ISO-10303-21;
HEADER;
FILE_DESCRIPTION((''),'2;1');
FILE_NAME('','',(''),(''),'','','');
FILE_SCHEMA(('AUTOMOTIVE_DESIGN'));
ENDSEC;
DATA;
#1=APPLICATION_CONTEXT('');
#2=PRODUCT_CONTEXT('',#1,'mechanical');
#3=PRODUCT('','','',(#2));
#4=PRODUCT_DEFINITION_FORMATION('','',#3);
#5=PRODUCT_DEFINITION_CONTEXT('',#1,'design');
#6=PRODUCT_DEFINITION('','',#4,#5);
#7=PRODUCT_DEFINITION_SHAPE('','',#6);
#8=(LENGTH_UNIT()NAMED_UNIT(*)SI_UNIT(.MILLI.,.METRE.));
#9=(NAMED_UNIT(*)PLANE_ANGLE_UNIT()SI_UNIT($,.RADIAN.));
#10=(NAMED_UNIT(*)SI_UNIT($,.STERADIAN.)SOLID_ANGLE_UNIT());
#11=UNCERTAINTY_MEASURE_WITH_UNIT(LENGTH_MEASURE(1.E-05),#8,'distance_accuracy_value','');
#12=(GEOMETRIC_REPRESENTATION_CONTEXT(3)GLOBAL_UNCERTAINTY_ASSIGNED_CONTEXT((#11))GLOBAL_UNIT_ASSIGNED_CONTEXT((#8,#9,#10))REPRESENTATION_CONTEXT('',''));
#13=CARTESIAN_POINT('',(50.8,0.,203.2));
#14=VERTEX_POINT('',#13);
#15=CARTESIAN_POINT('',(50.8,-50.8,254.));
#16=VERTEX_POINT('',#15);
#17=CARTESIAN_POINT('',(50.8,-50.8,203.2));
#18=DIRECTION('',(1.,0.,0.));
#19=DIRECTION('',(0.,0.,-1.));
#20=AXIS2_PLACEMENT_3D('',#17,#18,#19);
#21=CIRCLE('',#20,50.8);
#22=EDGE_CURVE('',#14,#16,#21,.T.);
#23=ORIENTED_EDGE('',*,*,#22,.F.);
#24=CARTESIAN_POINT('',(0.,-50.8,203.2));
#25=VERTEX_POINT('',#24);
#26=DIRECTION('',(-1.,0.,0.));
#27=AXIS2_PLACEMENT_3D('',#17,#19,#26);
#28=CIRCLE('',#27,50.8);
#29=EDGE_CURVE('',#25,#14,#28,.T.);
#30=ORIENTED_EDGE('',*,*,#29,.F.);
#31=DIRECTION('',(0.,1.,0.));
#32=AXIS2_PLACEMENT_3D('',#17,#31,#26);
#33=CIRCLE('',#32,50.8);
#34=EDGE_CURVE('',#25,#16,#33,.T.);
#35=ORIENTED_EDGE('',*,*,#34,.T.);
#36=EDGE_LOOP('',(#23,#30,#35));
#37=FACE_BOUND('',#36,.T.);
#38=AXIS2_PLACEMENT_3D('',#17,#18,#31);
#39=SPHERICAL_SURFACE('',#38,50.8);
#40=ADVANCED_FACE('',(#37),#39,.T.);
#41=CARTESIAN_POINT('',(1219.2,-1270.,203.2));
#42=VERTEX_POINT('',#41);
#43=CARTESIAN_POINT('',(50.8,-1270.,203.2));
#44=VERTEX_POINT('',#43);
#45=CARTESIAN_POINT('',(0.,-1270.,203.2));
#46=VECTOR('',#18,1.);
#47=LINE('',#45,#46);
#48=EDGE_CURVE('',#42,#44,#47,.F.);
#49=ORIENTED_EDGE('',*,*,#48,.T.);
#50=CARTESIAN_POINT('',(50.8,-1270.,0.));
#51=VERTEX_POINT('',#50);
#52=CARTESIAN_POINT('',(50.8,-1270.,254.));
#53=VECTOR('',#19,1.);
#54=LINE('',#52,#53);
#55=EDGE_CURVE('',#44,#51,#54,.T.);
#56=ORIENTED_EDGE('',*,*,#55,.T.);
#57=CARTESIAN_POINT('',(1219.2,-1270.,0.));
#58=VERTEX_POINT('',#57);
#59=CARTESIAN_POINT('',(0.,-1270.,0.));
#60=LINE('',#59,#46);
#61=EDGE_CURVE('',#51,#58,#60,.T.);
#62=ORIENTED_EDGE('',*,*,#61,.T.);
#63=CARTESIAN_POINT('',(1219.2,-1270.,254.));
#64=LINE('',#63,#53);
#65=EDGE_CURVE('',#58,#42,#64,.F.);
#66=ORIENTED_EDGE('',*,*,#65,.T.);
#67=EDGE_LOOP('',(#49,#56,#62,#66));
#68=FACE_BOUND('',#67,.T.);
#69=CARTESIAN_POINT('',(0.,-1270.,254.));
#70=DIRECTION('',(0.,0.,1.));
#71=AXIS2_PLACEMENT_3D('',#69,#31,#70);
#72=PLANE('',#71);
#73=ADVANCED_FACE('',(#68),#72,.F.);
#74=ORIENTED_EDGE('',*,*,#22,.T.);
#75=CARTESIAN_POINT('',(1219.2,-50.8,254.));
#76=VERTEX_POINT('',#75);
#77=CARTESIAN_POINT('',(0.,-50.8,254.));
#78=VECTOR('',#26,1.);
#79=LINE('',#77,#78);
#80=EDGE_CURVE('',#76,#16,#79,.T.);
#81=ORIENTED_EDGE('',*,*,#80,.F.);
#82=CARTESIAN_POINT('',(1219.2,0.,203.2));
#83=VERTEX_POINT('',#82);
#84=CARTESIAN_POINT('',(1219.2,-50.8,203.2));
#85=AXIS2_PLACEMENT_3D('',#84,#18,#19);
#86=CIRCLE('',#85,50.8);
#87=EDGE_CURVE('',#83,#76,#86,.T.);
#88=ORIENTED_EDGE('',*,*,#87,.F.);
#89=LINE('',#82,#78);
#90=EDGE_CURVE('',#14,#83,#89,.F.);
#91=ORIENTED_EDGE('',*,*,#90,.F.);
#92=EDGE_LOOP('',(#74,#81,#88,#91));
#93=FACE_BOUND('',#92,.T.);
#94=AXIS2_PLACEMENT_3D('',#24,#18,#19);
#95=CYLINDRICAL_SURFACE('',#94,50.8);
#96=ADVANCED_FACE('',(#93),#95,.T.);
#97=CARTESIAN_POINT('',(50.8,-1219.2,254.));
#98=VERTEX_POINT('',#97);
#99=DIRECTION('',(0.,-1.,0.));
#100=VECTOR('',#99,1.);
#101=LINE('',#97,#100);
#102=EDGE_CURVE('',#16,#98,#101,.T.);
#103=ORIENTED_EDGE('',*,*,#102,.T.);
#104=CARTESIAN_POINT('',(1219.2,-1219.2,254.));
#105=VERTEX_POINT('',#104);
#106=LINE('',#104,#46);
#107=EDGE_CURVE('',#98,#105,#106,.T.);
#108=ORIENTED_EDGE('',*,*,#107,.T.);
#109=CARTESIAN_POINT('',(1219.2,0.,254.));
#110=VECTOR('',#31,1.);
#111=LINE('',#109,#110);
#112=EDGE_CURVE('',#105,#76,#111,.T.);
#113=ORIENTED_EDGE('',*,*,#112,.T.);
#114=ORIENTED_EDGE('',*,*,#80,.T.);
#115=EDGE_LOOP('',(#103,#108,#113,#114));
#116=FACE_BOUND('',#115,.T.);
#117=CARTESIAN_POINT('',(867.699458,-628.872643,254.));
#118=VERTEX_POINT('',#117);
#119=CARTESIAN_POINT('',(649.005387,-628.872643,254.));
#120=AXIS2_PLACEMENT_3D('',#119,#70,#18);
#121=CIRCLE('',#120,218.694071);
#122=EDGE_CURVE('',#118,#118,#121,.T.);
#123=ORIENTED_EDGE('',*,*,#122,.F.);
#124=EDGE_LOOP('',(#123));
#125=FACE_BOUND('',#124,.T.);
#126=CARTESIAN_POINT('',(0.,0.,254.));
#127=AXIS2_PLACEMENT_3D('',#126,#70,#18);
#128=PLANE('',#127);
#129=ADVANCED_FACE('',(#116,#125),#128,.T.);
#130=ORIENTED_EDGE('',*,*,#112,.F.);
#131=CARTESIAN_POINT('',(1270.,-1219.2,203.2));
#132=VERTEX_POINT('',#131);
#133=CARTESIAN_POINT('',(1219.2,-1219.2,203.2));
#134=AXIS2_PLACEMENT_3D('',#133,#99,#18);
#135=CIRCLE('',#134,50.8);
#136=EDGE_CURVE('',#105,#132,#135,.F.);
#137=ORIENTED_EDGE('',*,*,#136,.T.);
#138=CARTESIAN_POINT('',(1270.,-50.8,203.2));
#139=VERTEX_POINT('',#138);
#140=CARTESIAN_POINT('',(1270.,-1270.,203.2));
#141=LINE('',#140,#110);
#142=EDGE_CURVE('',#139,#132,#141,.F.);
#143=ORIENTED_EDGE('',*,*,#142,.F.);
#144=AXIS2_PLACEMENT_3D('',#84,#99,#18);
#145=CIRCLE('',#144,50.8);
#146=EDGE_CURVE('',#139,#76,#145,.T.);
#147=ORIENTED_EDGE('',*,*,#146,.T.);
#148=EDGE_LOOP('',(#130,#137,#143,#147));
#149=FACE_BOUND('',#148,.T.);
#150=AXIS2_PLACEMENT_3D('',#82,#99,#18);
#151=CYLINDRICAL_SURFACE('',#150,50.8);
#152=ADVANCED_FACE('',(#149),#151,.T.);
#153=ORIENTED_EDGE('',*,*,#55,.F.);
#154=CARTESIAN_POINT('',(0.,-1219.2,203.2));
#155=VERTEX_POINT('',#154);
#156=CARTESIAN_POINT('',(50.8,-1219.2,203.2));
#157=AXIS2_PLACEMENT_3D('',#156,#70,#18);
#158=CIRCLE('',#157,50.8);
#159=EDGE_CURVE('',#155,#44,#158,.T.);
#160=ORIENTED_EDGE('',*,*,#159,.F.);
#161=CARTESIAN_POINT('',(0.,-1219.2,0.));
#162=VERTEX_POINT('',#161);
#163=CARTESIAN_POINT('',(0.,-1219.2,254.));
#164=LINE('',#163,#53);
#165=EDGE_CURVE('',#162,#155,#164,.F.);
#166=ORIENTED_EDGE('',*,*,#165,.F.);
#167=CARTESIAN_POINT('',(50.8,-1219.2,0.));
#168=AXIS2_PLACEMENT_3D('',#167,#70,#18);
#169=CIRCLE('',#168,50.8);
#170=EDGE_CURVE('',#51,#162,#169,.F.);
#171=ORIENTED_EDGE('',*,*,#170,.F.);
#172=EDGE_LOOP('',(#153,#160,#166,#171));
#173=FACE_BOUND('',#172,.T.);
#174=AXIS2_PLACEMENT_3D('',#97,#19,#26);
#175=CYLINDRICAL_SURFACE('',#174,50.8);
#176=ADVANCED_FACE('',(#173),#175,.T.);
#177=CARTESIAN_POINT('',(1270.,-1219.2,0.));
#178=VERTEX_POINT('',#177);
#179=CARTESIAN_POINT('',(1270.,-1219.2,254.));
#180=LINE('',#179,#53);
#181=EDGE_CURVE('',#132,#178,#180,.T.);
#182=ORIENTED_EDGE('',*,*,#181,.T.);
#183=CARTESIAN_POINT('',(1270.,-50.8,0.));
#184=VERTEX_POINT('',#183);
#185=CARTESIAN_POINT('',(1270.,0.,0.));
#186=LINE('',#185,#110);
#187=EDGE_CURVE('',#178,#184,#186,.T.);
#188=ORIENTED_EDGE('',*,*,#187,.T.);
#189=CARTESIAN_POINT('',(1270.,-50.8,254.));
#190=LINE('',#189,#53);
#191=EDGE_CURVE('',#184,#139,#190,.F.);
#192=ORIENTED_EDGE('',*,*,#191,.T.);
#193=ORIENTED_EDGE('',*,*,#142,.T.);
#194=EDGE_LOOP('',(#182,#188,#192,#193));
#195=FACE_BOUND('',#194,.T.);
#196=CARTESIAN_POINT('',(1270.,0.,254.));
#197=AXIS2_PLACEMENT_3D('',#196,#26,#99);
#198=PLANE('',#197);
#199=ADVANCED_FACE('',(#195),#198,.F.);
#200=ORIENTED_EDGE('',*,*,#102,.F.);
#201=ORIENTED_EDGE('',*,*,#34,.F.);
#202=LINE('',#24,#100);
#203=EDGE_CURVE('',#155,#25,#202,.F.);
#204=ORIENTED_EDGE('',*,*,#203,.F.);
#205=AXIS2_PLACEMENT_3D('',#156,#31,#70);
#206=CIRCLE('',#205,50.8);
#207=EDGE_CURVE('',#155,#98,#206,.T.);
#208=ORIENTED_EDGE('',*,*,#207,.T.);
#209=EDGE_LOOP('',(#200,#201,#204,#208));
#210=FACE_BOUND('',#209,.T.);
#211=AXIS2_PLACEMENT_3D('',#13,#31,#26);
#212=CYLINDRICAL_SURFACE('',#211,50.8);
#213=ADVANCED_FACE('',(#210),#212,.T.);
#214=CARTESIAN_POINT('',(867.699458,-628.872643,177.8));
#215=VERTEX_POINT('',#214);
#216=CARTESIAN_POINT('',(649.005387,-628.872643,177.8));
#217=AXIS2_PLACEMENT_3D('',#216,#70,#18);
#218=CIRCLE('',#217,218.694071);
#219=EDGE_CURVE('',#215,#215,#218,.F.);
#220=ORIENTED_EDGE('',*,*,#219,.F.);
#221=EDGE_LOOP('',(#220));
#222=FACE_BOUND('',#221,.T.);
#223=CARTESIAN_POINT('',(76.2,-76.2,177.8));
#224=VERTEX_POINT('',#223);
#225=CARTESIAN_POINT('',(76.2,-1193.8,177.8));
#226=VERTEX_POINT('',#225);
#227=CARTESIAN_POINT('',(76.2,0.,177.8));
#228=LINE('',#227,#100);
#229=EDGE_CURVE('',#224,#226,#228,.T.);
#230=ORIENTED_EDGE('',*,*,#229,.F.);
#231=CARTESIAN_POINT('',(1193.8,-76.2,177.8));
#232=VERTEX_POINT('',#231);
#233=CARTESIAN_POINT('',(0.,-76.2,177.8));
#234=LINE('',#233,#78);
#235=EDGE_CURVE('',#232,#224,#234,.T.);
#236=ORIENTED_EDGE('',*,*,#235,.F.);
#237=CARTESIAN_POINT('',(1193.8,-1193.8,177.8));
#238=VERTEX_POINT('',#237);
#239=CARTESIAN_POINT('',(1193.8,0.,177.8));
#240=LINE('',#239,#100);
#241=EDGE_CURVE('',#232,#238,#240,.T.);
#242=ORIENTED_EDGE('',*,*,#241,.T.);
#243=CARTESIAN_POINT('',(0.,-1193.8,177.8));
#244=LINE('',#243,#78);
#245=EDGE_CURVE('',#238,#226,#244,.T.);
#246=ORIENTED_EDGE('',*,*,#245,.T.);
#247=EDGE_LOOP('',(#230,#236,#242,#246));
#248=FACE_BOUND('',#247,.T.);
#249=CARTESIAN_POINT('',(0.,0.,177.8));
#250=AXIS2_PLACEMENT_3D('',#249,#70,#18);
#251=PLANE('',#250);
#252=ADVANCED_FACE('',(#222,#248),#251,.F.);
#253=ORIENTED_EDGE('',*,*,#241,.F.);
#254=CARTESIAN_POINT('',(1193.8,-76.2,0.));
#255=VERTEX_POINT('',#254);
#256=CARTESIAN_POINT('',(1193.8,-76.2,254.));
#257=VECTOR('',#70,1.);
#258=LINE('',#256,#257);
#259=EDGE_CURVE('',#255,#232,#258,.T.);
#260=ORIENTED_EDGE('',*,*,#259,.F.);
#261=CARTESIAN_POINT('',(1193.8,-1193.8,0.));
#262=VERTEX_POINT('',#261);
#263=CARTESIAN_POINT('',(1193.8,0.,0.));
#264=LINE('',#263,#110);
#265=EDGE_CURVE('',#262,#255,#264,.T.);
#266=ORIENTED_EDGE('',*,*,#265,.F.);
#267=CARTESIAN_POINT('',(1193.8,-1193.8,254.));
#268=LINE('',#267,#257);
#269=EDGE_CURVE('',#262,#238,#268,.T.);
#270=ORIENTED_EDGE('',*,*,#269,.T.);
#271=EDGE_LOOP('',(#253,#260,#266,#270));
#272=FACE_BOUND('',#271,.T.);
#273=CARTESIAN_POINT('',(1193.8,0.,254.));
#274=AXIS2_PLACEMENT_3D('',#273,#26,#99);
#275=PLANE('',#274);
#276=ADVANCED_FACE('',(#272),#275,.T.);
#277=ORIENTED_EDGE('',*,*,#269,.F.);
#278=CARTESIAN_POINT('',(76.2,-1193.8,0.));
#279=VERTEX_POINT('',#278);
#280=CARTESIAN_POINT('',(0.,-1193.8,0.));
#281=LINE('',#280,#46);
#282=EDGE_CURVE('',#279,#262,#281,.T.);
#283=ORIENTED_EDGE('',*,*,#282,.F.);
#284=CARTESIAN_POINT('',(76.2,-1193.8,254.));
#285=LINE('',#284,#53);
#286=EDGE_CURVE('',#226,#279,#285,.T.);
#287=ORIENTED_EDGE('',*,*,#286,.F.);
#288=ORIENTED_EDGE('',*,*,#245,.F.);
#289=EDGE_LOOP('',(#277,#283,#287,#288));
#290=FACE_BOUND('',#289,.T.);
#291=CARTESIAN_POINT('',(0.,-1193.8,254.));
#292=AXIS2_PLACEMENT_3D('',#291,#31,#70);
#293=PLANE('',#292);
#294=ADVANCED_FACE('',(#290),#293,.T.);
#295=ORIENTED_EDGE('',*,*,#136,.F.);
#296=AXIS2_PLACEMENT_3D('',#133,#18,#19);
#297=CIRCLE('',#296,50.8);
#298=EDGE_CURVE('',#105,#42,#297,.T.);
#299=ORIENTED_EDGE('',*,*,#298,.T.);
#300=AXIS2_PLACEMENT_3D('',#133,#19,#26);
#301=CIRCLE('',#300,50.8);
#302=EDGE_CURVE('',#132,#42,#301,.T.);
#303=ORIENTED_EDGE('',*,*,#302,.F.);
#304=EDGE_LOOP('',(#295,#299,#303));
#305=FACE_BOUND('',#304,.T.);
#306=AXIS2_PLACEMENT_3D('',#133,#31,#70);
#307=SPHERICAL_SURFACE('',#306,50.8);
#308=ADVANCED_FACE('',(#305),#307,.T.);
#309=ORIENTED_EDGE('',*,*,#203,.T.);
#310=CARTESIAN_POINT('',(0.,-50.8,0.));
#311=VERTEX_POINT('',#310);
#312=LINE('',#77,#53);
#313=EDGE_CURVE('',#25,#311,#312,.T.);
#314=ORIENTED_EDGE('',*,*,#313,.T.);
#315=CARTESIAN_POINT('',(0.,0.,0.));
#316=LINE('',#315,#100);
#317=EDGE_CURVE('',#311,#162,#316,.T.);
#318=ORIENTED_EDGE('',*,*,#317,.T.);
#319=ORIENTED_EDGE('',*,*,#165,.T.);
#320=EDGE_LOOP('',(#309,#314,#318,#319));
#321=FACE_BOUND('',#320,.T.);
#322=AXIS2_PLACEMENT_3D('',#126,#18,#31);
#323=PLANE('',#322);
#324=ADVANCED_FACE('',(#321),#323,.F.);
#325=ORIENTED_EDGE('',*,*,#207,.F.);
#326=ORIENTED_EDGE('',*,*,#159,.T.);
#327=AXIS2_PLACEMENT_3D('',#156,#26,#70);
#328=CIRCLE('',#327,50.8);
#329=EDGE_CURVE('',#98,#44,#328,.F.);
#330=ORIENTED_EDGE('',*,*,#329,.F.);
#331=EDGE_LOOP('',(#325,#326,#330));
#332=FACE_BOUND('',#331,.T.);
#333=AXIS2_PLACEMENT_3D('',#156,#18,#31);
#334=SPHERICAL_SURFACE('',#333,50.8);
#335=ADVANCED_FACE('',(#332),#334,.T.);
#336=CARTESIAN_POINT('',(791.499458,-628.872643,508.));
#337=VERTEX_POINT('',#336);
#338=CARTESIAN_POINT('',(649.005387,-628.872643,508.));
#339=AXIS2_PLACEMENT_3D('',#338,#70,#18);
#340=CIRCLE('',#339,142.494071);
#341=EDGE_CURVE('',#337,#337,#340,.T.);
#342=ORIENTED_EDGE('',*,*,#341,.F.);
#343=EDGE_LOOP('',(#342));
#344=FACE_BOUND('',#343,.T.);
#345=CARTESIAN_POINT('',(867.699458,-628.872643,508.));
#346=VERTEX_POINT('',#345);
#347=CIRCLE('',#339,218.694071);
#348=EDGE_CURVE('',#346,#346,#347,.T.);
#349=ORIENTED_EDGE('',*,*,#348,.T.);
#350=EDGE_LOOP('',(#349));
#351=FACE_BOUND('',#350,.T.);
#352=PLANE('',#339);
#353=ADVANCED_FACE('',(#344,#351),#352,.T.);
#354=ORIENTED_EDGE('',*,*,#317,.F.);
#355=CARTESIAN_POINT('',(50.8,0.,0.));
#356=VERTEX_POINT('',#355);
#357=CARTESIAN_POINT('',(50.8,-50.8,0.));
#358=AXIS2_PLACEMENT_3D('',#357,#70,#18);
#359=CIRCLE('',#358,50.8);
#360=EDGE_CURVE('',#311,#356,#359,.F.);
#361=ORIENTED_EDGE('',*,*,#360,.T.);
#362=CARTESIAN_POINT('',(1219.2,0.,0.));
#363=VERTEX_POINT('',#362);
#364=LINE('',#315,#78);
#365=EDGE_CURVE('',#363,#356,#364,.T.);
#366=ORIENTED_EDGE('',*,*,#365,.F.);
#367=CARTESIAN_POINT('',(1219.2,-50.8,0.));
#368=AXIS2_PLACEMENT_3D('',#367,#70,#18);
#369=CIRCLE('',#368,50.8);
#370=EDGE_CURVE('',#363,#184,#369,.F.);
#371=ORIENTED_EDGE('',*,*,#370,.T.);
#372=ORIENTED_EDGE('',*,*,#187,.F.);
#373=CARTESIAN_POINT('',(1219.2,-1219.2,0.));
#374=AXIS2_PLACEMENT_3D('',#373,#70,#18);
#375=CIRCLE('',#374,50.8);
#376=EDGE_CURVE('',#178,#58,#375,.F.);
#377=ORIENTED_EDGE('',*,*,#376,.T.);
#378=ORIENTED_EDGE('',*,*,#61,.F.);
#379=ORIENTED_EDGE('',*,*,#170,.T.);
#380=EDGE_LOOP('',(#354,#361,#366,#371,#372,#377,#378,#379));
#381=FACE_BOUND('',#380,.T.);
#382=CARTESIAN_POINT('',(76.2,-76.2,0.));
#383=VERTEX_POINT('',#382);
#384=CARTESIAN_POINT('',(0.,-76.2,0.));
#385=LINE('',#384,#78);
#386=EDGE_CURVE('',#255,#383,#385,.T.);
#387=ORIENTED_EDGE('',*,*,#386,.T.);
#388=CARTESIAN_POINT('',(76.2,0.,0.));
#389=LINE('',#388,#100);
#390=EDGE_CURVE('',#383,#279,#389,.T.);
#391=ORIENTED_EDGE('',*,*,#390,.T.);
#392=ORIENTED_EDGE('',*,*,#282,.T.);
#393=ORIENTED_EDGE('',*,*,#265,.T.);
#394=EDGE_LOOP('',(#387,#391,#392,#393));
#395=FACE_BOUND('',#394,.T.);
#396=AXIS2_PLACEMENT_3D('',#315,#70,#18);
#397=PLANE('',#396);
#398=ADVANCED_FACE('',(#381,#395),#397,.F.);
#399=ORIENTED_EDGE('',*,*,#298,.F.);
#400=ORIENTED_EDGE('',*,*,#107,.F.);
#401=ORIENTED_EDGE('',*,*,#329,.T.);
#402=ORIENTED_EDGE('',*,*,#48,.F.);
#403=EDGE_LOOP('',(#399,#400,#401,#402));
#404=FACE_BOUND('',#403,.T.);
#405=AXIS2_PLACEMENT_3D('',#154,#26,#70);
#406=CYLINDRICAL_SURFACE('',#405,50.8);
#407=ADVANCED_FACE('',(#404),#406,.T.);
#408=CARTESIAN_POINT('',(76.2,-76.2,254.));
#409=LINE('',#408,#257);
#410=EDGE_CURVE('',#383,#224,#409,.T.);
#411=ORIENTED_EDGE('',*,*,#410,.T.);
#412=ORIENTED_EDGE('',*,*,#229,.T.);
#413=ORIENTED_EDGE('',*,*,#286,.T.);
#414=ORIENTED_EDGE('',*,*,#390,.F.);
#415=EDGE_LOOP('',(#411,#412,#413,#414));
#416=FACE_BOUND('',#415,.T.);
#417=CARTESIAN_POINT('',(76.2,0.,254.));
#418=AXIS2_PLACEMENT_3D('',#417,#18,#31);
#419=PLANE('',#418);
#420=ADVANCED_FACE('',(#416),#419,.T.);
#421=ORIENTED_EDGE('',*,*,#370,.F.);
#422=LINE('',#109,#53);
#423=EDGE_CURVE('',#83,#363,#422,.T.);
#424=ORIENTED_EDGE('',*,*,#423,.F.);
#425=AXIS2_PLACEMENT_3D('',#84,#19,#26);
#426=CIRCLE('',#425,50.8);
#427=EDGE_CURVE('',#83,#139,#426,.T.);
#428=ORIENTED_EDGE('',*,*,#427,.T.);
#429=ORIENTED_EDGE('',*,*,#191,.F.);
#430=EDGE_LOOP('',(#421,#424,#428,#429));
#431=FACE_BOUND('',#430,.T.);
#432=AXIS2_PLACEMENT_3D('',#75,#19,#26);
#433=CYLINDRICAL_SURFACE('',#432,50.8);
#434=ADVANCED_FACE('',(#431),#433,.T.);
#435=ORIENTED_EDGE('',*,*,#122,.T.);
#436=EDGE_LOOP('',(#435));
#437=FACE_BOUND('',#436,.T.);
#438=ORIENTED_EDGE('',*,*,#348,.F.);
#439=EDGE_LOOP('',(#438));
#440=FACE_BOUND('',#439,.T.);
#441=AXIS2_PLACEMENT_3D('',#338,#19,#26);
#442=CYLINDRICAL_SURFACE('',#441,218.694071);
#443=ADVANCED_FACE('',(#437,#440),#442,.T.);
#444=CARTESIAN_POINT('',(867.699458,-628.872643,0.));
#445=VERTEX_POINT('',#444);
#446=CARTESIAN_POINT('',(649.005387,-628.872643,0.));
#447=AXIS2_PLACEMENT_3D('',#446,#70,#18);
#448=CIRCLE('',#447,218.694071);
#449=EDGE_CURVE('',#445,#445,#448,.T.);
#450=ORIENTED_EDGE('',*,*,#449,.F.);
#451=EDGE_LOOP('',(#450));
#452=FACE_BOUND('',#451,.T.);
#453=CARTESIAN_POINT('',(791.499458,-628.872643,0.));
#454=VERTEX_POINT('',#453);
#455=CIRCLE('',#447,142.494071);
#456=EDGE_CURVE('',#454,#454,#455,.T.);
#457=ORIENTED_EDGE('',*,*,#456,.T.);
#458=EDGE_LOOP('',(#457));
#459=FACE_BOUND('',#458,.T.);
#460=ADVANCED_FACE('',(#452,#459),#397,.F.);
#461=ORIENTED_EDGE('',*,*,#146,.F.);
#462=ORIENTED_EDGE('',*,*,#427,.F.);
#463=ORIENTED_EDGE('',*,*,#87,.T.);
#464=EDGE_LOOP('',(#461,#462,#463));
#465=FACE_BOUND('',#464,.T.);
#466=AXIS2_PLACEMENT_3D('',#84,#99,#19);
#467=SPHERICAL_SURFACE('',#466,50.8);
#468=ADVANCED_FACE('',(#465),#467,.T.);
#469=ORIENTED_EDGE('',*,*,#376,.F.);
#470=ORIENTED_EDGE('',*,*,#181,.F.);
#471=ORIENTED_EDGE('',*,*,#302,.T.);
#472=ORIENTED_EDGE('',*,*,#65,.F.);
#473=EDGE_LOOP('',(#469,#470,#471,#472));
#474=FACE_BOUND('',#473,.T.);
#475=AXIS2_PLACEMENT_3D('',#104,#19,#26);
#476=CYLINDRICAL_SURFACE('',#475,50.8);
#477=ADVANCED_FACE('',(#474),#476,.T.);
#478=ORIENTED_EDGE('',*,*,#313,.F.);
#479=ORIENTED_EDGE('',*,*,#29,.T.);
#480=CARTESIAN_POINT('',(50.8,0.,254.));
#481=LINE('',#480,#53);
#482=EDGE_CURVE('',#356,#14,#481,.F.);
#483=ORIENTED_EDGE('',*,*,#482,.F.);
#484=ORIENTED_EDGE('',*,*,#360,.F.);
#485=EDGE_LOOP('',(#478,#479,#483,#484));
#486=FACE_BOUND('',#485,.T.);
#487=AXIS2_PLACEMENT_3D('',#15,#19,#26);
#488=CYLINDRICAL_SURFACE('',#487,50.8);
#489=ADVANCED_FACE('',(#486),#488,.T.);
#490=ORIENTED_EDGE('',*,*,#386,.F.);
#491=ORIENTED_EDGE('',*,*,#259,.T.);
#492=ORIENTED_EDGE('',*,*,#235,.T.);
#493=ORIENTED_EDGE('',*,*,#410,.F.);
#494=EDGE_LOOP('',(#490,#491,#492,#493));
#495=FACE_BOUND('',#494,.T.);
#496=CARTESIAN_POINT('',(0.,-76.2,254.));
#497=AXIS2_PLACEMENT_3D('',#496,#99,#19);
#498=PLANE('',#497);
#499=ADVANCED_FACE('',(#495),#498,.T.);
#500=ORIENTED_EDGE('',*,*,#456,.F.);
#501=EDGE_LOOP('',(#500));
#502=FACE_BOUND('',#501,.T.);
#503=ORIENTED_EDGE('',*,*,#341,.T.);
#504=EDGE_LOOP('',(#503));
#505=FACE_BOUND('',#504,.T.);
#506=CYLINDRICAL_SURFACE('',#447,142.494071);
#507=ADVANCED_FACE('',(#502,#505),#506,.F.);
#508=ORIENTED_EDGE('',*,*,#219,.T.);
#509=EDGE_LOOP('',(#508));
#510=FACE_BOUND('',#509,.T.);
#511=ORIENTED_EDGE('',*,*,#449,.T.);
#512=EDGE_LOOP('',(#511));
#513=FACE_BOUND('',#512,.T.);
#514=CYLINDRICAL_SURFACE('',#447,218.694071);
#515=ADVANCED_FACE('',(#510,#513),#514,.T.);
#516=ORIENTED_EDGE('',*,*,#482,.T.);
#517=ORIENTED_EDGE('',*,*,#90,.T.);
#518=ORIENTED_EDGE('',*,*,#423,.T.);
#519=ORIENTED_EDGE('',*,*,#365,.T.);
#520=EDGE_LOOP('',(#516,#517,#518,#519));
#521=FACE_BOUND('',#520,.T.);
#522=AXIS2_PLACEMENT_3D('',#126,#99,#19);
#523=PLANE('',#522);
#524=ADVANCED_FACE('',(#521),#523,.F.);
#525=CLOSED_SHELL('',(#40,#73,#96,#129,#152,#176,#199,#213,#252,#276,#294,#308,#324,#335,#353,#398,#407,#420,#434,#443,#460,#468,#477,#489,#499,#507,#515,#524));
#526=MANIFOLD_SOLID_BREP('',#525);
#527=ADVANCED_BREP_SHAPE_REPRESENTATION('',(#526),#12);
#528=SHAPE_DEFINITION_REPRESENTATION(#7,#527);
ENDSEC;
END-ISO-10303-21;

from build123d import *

# Parameters (mm, degrees)
BOSS_EXTRUDE1_DEPTH = 254
SKETCH2_R           = 218.69407086262316
BOSS_EXTRUDE2_DEPTH = 254
FILLET2_R           = 50.8
FILLET3_R           = 50.8
FILLET4_R           = 50.8
FILLET5_R           = 50.8
SKETCH4_R           = 142.49407086262323
CUT_EXTRUDE13_DEPTH = 1867.5111840007871
SHELL4_T            = -76.2


with BuildPart() as part:
    # Sketch1 → Boss-Extrude1 (new body)
    with BuildSketch(Plane.XY):
        Polygon((0, 0), (1270, 0), (1270.0000000000002, -1270), (1.5553e-13, -1270), align=None)
    extrude(amount=BOSS_EXTRUDE1_DEPTH)

    # Sketch2 → Boss-Extrude2 (add)
    with BuildSketch(Plane(origin=(15.756060209551226, -33.262793775725605, 254.0000000000191), x_dir=(1, 0, 0), z_dir=(0, 0, 1))):
        with Locations((633.2493266433831, -595.6098494761216)):
            Circle(SKETCH2_R)
    extrude(amount=BOSS_EXTRUDE2_DEPTH)

    # Fillet2
    fillet2_edges = [part.edges().sort_by_distance(p)[0] for p in [
        (1270, -635, 254),
    ]]
    fillet(fillet2_edges, radius=FILLET2_R)

    # Fillet3
    fillet3_edges = [part.edges().sort_by_distance(p)[0] for p in [
        (609.6, 0, 254),
        (1270, 0, 101.60000000000001),
        (1255.1210244842766, 6.43e-15, 239.12102448427663),
    ]]
    fillet(fillet3_edges, radius=FILLET3_R)

    # Fillet4
    fillet4_edges = [part.edges().sort_by_distance(p)[0] for p in [
        (1270.0000000000002, -1270, 101.60000000000001),
        (1255.1210244842769, -1270, 239.12102448427663),
        (609.6000000000003, -1270, 254),
    ]]
    fillet(fillet4_edges, radius=FILLET4_R)

    # Fillet5
    fillet5_edges = [part.edges().sort_by_distance(p)[0] for p in [
        (0, 0, 101.60000000000001),
        (7.777e-14, -635, 254),
        (6.22e-15, -14.878975515723361, 239.12102448427663),
        (1.5553e-13, -1270, 101.60000000000001),
        (2.2737e-13, -1255.1210244842766, 239.12102448427663),
    ]]
    fillet(fillet5_edges, radius=FILLET5_R)

    # Sketch4 → Cut-Extrude13 (cut, through all)
    with BuildSketch(Plane.XY.offset(508.0000000000191)):
        with Locations((649.0053868529344, -628.8726432518471)):
            Circle(SKETCH4_R)
    extrude(amount=-CUT_EXTRUDE13_DEPTH, mode=Mode.SUBTRACT)

    # Shell4
    shell4_openings = [part.faces().sort_by_distance(p)[0] for p in [
        (635, -1252.039487758, 0),
    ]]
    offset(amount=SHELL4_T, openings=shell4_openings, kind=Kind.INTERSECTION)


solid = part.part
